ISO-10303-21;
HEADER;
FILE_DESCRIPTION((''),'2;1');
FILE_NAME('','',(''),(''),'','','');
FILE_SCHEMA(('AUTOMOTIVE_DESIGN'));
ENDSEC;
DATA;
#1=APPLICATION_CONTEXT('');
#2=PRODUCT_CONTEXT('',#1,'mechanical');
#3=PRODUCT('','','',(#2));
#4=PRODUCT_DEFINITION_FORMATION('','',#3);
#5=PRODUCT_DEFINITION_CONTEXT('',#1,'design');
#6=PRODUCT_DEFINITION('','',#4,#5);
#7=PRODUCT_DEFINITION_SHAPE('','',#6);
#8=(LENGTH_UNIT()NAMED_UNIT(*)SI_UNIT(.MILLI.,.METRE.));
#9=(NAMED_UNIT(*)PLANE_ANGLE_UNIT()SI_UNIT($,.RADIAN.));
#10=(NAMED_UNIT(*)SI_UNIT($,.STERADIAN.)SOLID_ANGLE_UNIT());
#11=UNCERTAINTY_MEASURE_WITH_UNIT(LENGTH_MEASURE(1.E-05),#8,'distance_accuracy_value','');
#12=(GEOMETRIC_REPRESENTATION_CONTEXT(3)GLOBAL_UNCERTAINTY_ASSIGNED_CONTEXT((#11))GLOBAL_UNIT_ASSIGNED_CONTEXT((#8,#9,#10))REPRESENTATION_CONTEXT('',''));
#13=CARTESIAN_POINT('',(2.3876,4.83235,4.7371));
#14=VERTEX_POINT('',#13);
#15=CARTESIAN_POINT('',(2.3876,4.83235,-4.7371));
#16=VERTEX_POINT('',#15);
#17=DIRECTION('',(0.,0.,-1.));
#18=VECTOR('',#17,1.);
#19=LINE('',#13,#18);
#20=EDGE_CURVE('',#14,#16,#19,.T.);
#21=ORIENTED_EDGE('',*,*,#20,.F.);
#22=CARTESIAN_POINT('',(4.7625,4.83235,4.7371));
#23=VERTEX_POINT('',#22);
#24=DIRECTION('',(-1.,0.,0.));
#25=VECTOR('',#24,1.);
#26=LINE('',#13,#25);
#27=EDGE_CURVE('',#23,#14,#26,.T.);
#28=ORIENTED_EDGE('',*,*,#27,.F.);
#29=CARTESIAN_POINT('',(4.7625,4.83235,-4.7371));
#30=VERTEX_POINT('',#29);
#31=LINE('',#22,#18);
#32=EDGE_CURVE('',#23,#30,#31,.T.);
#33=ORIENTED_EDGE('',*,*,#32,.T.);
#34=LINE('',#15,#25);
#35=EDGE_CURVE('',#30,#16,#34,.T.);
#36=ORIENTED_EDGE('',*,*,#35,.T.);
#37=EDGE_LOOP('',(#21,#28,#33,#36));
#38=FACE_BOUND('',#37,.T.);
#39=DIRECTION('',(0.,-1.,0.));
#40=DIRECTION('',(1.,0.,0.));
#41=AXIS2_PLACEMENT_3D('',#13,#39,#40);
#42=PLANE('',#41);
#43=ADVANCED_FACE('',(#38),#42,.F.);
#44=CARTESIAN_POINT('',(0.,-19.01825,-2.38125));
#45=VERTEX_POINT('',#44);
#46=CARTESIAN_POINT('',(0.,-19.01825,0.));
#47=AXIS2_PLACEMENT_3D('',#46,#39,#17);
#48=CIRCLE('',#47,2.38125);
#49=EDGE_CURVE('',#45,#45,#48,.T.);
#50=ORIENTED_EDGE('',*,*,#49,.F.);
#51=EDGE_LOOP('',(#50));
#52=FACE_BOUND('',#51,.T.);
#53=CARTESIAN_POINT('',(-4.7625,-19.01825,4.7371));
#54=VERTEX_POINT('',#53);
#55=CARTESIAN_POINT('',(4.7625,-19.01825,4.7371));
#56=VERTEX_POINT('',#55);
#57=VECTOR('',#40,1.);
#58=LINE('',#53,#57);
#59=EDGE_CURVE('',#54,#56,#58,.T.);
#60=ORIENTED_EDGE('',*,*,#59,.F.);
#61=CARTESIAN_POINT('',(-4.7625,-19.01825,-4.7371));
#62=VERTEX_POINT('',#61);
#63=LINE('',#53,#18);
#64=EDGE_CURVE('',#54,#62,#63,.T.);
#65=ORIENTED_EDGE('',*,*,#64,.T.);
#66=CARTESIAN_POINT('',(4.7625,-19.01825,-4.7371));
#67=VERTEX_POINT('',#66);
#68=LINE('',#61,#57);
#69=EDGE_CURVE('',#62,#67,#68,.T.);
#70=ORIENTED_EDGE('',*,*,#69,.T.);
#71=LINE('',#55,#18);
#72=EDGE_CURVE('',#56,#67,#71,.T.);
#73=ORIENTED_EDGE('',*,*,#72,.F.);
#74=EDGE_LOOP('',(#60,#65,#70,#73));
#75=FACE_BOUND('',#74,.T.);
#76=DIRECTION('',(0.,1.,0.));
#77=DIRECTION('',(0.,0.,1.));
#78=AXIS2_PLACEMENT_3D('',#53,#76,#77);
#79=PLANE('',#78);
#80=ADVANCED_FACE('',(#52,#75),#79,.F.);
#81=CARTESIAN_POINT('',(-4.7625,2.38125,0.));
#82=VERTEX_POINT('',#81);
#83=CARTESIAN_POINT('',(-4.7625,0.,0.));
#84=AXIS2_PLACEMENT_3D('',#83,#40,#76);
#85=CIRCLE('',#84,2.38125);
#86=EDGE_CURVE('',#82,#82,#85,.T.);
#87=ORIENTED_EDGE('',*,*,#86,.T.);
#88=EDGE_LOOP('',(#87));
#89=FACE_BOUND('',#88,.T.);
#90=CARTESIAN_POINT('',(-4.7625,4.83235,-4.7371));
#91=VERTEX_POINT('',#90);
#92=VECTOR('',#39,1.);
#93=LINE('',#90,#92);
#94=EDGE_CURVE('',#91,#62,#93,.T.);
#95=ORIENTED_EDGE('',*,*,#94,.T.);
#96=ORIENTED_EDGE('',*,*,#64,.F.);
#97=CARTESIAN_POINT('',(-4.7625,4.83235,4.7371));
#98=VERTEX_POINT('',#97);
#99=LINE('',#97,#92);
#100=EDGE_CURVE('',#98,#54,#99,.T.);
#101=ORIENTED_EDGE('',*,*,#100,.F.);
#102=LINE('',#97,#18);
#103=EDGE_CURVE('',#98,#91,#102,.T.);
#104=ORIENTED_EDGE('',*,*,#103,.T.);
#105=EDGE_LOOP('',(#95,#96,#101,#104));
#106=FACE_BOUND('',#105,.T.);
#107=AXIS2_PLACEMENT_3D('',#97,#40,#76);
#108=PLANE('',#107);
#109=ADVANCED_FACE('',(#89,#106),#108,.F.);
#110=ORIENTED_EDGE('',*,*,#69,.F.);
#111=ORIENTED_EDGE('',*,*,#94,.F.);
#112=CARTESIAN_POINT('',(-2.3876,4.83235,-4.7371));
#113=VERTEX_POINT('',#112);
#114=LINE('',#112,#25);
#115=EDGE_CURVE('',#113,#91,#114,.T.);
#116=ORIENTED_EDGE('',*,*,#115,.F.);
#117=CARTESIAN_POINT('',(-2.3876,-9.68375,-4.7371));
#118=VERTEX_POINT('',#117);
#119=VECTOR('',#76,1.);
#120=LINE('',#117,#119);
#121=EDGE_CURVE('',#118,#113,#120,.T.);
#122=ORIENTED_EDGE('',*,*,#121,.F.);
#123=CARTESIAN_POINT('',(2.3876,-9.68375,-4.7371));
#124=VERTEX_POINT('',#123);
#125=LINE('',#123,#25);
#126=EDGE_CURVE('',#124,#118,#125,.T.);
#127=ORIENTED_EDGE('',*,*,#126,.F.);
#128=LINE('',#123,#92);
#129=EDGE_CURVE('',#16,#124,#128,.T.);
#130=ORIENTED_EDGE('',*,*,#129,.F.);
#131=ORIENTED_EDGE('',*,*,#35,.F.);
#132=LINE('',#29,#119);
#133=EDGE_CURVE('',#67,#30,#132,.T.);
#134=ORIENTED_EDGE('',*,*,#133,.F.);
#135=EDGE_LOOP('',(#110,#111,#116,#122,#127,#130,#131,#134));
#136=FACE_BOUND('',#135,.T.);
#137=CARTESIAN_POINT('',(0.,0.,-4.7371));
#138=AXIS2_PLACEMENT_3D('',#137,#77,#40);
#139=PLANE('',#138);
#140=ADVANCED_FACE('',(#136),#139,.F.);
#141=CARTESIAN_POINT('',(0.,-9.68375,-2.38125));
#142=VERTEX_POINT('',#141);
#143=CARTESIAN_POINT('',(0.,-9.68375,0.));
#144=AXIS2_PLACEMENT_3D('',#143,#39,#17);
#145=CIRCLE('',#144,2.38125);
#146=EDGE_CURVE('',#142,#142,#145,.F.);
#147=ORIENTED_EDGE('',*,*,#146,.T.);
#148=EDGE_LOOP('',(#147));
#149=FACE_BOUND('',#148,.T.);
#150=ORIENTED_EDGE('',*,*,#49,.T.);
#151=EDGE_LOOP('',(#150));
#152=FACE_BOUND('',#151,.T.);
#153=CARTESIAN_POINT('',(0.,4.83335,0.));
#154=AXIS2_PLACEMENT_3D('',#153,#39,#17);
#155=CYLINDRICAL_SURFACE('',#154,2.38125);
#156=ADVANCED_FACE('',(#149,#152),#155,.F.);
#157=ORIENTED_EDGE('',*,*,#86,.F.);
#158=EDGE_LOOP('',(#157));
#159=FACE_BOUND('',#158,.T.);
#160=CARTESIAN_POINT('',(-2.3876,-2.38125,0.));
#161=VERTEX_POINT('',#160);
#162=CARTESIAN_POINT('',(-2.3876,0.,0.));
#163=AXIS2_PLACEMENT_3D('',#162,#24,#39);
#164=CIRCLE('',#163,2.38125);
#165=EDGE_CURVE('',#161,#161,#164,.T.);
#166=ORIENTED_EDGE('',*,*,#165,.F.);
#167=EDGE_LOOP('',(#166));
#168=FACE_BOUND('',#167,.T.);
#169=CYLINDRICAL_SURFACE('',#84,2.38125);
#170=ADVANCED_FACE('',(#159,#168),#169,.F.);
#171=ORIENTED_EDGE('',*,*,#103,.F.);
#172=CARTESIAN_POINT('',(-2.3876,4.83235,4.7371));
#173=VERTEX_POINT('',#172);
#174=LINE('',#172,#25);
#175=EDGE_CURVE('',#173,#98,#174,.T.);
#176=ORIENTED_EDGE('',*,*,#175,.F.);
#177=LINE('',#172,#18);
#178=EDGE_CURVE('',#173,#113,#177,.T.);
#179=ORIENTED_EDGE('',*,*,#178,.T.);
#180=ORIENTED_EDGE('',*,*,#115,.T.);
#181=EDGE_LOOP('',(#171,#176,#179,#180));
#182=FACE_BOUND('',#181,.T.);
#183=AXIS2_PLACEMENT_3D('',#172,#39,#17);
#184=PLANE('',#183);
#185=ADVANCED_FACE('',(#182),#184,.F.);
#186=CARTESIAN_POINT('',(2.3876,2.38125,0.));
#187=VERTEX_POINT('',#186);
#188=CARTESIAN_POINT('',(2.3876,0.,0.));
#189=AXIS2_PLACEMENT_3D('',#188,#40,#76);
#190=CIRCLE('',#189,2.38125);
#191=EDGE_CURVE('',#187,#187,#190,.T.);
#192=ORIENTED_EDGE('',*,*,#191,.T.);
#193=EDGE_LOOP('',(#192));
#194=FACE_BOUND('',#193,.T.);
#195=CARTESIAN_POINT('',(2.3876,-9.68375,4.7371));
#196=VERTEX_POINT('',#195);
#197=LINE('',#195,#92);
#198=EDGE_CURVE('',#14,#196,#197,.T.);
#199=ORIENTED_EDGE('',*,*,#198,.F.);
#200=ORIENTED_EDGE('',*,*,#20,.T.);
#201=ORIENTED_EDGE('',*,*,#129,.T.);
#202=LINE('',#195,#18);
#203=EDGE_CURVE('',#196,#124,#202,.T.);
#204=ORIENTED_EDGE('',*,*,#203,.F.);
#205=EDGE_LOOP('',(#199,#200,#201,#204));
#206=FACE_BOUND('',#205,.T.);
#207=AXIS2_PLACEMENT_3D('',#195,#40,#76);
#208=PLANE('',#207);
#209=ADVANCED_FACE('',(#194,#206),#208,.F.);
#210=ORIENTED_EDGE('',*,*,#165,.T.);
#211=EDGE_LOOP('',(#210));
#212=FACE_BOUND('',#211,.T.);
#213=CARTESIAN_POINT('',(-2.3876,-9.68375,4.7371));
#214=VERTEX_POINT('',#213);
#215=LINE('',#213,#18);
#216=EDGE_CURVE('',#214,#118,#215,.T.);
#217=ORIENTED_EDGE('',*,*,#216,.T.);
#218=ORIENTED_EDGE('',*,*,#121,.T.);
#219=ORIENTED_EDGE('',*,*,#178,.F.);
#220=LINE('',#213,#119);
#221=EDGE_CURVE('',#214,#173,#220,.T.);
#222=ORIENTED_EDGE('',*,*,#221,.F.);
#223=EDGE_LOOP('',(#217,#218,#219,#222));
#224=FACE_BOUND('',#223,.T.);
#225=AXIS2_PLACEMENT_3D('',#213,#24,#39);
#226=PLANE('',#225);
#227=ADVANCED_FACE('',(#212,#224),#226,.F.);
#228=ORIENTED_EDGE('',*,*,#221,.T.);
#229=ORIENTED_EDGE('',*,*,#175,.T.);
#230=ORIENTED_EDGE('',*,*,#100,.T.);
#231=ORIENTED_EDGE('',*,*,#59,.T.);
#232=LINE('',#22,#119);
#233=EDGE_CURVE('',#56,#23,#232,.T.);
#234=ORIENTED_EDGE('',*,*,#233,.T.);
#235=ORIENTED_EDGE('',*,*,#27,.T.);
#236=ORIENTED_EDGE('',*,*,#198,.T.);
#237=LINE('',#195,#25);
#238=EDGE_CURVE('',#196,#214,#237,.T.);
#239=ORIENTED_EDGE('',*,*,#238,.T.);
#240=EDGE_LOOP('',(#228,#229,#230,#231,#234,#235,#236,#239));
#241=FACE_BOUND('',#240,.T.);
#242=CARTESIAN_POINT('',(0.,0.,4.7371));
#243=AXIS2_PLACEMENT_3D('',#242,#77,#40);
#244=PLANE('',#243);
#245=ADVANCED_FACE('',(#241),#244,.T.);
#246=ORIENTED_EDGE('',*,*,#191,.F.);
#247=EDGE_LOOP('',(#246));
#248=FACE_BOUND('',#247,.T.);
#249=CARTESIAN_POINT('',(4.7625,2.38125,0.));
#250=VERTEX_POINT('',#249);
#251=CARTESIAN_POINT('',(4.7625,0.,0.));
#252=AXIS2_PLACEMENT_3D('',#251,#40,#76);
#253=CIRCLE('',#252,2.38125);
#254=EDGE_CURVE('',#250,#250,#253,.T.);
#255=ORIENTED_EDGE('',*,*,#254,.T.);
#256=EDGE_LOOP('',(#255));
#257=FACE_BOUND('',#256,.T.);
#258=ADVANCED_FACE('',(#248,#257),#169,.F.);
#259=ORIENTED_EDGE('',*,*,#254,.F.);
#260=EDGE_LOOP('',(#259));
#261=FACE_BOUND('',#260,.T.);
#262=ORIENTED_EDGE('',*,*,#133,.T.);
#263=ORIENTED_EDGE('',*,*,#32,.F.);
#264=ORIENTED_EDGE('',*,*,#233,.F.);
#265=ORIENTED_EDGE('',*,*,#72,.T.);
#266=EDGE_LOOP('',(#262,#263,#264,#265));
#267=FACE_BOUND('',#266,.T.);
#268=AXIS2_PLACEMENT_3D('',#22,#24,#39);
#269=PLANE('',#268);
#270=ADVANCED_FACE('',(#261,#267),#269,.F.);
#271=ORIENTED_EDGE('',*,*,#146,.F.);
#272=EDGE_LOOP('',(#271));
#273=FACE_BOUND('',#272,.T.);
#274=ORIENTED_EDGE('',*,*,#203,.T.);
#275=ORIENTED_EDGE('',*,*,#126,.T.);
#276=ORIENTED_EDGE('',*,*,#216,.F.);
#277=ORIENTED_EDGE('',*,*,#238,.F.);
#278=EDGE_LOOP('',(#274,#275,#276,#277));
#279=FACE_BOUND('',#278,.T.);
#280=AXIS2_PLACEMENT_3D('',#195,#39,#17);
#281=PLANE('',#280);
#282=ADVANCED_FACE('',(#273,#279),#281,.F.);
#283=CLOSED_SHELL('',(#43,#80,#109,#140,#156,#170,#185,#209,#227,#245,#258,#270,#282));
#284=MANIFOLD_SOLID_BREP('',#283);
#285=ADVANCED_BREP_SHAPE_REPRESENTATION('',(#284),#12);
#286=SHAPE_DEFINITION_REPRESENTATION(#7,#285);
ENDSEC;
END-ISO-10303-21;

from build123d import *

# Parameters (mm, degrees)
BOSS_EXTRUDE1_DEPTH = 4.7371
CUT_EXTRUDE1_REACH  = 25.851
SKETCH4_R           = 2.38125
SKETCH5_R           = 2.38125
CUT_EXTRUDE2_DEPTH  = 10.525


with BuildPart() as part:
    # Sketch3 → Boss-Extrude1 (new body, symmetric)
    with BuildSketch(Plane.XY):
        Polygon((2.3876, -9.68375), (-2.3876, -9.68375), (-2.3876, 4.83235), (-4.7625, 4.83235), (-4.7625, -19.01825), (4.7625, -19.01825), (4.7625, 4.83235), (2.3876, 4.83235), align=None)
    extrude(amount=BOSS_EXTRUDE1_DEPTH, both=True)

    # Sketch4 → Cut-Extrude1 (cut, up to next)
    with BuildSketch(Plane.XZ.offset(19.01825), mode=Mode.PRIVATE) as cut_extrude1_sk1:
        Circle(SKETCH4_R)
    cut_extrude1_tool1 = extrude(cut_extrude1_sk1.sketch, amount=-CUT_EXTRUDE1_REACH, mode=Mode.PRIVATE) & part.part
    add(cut_extrude1_tool1.solids().sort_by_distance((0, -19.01825, 0))[0], mode=Mode.SUBTRACT)

    # Sketch5 → Cut-Extrude2 (cut, through all)
    with BuildSketch(Plane(origin=(4.7625, 0, 0), x_dir=(0, 0, -1), z_dir=(1, 0, 0))):
        Circle(SKETCH5_R)
    extrude(amount=-CUT_EXTRUDE2_DEPTH, mode=Mode.SUBTRACT)


solid = part.part
